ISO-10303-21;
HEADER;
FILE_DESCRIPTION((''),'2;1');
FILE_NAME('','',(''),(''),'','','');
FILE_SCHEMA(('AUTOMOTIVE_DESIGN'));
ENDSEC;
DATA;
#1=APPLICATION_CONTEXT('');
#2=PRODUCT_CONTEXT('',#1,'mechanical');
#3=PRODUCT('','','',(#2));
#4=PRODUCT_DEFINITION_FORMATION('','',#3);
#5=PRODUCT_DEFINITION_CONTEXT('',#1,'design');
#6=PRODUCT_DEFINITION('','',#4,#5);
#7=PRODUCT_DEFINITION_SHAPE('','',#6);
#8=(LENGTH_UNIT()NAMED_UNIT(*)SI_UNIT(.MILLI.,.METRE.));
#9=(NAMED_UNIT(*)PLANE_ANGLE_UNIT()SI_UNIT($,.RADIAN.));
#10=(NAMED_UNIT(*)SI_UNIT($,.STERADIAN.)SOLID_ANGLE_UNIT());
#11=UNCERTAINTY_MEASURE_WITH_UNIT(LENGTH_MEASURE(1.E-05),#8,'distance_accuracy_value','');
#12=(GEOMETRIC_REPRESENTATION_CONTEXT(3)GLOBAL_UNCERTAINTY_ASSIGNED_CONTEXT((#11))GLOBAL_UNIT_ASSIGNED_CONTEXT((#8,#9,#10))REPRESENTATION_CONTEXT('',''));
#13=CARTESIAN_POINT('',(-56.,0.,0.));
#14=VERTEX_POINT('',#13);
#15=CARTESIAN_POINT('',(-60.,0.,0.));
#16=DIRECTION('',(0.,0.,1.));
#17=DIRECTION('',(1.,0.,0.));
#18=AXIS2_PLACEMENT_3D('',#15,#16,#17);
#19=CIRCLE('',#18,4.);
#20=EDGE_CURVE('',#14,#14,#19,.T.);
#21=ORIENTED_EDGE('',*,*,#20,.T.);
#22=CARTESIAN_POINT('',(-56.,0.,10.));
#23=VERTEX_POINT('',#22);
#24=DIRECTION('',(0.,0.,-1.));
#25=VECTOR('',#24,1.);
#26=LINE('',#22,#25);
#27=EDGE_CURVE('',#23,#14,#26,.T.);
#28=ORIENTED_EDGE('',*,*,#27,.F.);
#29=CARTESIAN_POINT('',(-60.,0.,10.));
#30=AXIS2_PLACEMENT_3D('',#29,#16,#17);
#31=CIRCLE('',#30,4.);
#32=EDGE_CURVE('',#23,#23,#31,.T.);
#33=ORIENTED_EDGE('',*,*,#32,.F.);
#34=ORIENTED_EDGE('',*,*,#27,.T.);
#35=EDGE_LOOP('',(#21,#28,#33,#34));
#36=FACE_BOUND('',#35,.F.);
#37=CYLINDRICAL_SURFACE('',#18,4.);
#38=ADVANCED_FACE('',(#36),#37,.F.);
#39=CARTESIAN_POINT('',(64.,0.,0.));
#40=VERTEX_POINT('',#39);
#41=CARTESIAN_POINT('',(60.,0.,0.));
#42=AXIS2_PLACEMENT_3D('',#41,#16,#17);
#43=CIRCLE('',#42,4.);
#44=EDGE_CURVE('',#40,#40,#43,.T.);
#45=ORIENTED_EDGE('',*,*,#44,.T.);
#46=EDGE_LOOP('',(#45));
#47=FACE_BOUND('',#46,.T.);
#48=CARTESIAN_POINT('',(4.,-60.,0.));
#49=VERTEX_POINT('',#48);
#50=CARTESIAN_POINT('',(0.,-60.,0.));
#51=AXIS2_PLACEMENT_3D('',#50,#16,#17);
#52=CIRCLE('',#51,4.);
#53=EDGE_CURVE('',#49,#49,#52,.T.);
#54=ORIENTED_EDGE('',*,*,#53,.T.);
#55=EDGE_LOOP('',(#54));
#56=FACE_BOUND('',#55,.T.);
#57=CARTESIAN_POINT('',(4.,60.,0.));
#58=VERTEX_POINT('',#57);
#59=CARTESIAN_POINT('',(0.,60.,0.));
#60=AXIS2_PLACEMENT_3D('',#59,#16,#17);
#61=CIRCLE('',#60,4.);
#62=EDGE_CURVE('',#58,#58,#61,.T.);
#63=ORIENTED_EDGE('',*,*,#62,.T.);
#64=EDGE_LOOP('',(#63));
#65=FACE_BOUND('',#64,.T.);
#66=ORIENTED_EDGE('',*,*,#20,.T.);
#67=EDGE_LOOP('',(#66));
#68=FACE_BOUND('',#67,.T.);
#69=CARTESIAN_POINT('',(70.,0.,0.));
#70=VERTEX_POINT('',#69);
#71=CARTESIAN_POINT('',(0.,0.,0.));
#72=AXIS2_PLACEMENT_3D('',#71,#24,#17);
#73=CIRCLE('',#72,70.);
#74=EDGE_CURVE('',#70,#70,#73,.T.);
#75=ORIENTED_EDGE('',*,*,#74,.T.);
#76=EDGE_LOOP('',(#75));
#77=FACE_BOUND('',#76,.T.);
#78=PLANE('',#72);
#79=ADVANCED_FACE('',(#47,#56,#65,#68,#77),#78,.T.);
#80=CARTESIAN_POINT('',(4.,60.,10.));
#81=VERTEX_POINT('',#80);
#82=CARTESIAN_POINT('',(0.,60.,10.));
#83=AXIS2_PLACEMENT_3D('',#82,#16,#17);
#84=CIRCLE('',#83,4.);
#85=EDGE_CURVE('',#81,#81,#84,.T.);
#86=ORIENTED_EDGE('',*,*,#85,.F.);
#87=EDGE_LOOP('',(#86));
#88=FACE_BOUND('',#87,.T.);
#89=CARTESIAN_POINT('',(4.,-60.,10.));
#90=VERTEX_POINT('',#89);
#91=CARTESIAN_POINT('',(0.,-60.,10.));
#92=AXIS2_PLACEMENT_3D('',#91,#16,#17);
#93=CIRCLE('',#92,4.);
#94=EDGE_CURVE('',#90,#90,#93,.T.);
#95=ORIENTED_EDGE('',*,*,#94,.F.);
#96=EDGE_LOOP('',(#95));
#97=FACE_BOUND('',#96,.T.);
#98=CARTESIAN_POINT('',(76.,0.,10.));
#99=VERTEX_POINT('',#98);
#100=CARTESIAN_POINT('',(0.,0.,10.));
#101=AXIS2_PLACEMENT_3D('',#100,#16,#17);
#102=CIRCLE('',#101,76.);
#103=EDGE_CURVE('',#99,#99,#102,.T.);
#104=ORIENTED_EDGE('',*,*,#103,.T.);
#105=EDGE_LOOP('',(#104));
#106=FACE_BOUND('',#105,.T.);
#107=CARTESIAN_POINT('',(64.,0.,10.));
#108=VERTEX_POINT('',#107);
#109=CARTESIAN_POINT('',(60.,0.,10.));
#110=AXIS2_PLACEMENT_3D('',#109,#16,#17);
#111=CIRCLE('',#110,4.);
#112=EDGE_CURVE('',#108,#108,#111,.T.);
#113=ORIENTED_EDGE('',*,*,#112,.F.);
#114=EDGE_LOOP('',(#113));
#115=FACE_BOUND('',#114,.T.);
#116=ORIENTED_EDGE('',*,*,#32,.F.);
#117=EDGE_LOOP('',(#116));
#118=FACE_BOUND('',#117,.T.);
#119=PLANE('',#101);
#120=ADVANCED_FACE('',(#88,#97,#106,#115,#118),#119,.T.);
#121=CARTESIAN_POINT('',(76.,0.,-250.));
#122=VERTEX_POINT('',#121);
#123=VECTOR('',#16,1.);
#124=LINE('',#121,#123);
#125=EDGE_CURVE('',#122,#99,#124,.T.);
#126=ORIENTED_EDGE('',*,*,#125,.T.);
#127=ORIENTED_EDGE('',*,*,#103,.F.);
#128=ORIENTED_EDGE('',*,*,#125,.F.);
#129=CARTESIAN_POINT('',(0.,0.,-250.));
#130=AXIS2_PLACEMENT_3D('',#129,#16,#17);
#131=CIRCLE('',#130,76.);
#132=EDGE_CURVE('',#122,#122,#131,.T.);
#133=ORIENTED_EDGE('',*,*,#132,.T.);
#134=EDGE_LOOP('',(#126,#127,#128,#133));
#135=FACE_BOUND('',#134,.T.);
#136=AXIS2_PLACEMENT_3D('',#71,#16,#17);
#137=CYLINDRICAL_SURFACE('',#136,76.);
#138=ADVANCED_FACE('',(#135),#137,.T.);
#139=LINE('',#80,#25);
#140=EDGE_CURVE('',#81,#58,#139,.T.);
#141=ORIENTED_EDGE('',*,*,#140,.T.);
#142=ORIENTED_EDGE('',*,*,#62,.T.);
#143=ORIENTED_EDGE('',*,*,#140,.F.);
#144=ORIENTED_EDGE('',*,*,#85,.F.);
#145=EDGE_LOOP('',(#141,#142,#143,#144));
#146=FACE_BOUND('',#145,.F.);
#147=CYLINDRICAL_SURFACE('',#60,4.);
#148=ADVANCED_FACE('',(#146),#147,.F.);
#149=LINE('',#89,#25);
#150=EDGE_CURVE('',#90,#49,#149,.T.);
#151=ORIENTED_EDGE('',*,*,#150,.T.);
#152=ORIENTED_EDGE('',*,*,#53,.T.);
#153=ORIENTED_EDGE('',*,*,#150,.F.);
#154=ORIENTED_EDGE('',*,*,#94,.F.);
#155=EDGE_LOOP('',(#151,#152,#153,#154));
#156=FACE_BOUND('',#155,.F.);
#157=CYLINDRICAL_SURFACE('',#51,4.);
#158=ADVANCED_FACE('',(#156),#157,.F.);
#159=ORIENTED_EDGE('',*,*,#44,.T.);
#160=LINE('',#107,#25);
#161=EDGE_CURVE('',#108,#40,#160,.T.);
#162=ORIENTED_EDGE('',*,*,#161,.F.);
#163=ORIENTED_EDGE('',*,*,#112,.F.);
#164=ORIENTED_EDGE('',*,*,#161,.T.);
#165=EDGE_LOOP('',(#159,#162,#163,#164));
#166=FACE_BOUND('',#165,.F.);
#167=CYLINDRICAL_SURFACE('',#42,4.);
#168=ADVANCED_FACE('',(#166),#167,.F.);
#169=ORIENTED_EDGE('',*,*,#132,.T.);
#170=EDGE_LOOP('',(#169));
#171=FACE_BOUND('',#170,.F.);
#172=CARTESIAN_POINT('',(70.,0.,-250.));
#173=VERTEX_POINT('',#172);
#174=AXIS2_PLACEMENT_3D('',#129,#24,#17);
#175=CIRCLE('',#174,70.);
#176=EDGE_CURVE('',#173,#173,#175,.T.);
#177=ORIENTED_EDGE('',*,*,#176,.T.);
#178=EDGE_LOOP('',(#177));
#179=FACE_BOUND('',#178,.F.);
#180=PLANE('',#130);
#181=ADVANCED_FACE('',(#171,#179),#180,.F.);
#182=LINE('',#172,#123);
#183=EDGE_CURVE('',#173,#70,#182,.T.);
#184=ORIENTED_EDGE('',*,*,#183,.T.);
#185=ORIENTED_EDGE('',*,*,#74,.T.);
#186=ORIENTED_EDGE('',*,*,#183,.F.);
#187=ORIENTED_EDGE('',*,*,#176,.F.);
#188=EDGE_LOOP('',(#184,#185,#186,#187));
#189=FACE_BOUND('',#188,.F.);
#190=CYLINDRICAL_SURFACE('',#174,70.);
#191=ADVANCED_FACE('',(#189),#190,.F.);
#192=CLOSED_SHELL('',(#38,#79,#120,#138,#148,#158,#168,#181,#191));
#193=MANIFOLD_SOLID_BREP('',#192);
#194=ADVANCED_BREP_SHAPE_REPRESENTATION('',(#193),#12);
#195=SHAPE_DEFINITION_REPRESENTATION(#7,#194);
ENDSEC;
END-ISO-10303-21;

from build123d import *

# Parameters (mm, degrees)
F0_R     = 76
F1_DEPTH = 10
F2_R     = 4
F3_DEPTH = 10
F4_DEPTH = 250
F5_R     = 70
F6_DEPTH = 250


with BuildPart() as f1:
    # F0 (on Top) → F1 (new body)
    with BuildSketch(Plane.XY):
        Circle(F0_R)
    extrude(amount=F1_DEPTH)

    # F2 (on face) → F3 (cut, through all)
    with BuildSketch(Plane.XY.offset(10)):
        with Locations((-60, 0)):
            Circle(F2_R)
        with Locations((60, 0)):
            Circle(F2_R)
        with Locations((0, -60)):
            Circle(F2_R)
        with Locations((0, 60)):
            Circle(F2_R)
    extrude(amount=-F3_DEPTH, mode=Mode.SUBTRACT)

    # F4 (add): a face of the model
    f4_faces = [f1.faces().sort_by_distance(p)[0] for p in [
        (0, 0, 0),
    ]]
    extrude(f4_faces, amount=F4_DEPTH)

    # F5 (on face) → F6 (cut, through all)
    with BuildSketch(Plane(origin=(0, 0, -250), x_dir=(1, 0, 0), z_dir=(0, 0, -1))):
        Circle(F5_R)
    extrude(amount=-F6_DEPTH, mode=Mode.SUBTRACT)


solid = f1.part
